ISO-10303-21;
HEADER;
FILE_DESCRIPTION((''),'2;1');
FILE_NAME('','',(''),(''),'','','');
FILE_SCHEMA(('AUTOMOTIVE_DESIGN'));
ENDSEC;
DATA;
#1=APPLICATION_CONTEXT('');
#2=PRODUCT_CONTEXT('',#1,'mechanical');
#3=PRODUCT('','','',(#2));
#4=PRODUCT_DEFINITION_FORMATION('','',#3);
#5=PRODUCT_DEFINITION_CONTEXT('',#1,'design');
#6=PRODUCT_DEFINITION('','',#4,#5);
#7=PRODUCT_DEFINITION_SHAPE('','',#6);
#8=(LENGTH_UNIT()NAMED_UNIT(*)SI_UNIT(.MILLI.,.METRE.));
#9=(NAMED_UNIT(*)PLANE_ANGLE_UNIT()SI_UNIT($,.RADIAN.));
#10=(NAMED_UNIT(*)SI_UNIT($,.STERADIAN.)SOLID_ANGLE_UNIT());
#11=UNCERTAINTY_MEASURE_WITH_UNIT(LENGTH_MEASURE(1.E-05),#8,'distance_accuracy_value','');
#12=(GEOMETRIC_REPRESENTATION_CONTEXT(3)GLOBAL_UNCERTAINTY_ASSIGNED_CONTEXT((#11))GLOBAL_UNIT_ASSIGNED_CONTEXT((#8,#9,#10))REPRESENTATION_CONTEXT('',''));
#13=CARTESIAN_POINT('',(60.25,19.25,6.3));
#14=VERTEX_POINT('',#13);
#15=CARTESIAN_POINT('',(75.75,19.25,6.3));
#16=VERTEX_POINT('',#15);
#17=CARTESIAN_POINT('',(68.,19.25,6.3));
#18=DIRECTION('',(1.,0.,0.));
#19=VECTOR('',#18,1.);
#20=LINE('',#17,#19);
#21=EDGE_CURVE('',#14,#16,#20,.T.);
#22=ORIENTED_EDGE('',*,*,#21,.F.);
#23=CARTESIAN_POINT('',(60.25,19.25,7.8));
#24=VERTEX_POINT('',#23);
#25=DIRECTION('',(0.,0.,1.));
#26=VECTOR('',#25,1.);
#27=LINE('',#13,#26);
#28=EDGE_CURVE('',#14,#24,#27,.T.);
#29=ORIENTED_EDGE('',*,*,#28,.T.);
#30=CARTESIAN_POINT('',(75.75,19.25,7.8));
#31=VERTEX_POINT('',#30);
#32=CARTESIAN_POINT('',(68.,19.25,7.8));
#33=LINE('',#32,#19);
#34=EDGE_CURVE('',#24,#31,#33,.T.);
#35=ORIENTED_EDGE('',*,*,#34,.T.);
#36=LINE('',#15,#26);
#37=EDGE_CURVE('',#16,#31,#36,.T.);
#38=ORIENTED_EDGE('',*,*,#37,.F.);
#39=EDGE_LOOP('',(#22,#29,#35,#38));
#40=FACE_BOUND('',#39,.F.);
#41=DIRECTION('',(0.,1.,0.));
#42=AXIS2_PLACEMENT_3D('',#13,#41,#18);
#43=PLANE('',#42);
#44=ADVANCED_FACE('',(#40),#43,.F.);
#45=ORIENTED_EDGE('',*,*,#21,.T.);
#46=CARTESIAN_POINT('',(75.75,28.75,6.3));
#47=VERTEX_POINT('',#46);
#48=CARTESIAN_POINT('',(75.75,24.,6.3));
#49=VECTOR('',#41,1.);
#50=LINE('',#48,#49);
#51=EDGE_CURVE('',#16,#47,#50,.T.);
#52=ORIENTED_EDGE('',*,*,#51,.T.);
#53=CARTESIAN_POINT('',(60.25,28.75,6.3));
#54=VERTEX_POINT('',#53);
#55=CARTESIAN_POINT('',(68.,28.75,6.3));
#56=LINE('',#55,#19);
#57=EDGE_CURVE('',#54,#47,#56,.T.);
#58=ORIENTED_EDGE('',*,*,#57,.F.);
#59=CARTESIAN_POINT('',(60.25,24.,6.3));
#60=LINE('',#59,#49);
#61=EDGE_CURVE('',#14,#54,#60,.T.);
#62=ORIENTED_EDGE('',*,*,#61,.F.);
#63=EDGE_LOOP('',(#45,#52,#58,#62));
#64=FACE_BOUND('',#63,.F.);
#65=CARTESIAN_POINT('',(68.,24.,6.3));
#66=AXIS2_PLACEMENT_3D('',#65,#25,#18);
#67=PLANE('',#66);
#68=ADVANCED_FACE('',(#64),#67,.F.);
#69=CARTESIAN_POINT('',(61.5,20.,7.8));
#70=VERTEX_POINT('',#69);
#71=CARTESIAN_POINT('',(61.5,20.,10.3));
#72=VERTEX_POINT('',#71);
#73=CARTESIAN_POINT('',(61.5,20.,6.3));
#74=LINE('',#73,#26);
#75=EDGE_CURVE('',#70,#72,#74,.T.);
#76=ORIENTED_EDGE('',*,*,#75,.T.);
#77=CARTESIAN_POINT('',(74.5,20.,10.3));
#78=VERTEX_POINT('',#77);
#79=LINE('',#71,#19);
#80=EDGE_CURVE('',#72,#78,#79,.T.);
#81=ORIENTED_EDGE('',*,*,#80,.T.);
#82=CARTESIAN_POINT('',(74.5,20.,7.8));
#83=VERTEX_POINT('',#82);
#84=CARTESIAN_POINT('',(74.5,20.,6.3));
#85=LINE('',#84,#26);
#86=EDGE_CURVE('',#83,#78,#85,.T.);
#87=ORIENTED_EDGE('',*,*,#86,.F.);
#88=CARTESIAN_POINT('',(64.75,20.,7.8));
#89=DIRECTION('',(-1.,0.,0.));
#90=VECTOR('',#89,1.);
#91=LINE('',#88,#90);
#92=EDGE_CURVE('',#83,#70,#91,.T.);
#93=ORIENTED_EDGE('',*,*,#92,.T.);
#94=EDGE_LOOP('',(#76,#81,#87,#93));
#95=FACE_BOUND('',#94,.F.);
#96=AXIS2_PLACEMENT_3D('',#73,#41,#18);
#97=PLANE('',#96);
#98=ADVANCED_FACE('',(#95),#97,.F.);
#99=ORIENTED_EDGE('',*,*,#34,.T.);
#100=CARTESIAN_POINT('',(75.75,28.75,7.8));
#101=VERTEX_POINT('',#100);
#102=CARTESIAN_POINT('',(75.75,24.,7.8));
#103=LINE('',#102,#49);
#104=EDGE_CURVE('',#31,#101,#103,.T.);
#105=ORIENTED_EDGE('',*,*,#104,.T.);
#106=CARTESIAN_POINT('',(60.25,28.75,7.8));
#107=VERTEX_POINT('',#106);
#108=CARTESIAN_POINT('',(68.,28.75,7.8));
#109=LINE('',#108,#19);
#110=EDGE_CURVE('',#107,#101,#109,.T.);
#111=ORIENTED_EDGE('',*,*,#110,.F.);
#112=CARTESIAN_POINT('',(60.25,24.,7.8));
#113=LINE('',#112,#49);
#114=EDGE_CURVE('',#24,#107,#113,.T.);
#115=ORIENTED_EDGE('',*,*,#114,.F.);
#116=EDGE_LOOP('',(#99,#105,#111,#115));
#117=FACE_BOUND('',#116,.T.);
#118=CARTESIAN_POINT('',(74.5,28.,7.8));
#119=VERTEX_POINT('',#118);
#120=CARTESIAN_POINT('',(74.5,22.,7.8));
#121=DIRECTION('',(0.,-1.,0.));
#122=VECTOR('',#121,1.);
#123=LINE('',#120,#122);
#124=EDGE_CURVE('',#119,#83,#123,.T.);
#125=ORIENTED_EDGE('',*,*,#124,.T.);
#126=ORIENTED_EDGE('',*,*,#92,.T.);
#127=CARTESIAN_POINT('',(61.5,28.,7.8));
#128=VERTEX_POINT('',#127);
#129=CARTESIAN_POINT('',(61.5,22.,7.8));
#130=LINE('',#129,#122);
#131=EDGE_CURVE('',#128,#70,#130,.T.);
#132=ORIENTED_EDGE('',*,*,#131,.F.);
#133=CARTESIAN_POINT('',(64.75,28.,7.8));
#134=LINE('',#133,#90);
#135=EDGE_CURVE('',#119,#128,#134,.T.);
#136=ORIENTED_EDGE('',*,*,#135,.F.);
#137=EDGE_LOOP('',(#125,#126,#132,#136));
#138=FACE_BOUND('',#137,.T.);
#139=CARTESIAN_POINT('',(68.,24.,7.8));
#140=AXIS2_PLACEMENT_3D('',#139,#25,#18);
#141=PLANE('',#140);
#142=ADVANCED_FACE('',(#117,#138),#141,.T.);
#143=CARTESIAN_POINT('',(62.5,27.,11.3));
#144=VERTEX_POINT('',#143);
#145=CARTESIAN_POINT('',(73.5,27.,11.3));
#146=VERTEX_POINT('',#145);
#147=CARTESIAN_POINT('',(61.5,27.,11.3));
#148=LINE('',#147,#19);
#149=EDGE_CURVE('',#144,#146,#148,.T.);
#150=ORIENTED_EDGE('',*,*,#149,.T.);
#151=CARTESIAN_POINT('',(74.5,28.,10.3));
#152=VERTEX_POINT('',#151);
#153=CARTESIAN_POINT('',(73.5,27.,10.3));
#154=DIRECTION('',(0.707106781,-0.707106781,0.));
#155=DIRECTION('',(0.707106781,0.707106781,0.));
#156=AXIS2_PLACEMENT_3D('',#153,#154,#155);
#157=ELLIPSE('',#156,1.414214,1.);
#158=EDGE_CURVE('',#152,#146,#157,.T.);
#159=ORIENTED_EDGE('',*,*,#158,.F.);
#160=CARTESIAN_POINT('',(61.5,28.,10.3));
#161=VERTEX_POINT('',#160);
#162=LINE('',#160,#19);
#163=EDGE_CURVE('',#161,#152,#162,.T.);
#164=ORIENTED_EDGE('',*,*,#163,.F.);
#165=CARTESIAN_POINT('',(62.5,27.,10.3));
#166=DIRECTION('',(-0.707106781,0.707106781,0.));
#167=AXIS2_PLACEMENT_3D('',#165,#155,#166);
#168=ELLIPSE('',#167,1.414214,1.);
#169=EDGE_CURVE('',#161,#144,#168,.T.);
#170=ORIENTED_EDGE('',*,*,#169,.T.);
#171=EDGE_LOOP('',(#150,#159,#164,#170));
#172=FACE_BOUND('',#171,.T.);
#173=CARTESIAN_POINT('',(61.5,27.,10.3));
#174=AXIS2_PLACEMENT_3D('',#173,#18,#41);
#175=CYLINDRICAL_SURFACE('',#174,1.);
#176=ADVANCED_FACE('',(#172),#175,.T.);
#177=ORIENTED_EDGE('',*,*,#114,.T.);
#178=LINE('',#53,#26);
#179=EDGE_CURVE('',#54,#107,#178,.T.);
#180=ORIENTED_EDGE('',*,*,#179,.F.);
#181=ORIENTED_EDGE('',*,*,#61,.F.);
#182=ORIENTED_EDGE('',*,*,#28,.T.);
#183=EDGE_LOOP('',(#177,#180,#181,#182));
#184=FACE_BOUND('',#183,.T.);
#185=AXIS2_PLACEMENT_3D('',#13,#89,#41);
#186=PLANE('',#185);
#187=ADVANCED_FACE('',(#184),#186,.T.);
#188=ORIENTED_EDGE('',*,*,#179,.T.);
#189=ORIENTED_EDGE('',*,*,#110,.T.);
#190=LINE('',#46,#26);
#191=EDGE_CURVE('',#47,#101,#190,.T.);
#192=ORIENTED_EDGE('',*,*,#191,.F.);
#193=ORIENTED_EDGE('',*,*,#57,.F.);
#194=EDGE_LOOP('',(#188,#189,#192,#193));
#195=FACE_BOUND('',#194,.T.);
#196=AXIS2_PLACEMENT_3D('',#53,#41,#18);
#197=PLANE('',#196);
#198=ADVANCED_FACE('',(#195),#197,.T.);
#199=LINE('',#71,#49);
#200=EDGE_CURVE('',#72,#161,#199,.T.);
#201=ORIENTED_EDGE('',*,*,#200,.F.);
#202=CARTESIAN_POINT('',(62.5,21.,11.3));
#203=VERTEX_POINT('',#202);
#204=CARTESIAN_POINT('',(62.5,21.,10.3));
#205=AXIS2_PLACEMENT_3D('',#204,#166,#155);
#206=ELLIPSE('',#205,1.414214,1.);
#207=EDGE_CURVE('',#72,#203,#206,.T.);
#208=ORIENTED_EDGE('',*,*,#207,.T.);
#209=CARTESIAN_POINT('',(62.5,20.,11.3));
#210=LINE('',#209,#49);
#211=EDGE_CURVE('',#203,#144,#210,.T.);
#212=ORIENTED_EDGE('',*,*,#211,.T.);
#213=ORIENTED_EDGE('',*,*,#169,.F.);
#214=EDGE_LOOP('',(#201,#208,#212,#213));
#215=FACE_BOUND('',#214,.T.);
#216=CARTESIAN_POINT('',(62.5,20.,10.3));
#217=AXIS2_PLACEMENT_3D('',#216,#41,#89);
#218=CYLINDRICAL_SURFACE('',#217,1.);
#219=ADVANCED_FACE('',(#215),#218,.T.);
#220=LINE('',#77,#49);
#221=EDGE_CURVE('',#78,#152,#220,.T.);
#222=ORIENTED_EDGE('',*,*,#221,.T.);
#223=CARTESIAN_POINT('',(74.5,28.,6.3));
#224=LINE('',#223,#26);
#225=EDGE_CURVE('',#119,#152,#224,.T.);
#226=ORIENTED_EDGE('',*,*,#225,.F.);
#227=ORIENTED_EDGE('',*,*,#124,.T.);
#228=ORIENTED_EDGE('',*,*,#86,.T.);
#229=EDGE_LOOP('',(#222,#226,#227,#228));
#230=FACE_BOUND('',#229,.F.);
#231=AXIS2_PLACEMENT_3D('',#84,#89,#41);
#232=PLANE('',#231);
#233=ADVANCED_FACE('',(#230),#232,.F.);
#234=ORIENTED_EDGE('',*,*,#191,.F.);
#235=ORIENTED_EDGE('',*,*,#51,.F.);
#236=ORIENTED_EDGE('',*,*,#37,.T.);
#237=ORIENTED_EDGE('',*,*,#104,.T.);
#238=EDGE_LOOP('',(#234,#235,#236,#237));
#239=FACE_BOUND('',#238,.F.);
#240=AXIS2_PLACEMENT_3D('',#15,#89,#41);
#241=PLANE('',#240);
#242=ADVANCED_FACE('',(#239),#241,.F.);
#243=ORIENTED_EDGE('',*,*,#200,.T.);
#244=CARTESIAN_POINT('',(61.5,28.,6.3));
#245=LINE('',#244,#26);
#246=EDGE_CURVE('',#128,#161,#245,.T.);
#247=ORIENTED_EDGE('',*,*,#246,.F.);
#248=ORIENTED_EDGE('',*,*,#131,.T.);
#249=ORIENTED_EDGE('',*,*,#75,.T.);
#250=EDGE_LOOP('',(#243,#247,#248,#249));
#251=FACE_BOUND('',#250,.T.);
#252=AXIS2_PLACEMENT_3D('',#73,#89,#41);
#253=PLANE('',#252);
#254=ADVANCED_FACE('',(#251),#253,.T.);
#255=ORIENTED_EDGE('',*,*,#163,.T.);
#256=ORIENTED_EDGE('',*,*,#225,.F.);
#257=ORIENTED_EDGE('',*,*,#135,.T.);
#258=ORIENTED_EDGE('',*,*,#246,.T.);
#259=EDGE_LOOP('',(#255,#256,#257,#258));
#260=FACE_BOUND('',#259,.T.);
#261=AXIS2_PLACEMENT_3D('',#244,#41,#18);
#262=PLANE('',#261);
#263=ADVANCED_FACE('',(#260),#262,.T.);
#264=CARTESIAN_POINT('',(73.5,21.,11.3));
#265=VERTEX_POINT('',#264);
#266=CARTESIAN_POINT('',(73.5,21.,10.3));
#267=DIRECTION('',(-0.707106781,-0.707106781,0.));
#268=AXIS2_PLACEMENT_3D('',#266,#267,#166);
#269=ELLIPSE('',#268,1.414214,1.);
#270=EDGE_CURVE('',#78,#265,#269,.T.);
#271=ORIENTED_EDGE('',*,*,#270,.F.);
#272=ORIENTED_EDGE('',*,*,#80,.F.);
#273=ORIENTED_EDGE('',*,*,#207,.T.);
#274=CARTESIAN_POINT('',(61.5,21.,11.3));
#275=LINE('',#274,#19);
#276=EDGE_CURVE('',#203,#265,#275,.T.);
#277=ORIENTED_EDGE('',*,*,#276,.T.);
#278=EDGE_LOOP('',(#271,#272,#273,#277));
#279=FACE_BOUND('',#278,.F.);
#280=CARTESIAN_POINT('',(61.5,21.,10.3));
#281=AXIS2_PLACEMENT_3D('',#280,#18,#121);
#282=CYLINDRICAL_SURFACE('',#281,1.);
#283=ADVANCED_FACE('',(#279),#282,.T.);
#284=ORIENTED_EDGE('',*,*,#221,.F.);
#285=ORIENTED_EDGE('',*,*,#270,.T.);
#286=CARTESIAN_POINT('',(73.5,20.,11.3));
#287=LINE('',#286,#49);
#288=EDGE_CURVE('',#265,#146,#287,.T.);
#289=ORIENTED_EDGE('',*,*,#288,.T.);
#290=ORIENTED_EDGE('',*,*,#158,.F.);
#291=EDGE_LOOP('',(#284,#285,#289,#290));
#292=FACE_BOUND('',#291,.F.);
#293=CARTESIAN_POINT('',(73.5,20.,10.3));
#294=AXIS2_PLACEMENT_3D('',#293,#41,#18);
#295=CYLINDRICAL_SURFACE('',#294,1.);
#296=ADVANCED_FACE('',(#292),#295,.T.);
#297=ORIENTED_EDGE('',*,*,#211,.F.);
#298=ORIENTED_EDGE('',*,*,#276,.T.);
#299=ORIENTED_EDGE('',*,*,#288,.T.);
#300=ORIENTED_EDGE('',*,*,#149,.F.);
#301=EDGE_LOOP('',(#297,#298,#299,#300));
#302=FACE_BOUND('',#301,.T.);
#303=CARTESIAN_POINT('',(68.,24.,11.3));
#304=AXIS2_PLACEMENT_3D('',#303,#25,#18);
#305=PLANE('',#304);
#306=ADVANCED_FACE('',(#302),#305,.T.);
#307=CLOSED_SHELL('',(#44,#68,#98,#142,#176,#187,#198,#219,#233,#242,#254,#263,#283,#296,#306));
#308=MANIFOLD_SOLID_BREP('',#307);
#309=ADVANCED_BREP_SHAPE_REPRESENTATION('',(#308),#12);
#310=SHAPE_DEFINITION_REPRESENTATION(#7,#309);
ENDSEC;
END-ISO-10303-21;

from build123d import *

# Parameters (mm, degrees)
BOX202_W     = 13
BOX202_H     = 8
BOX202_DEPTH = 5
FILLET049_R  = 1
BOX204_W     = 15.5
BOX204_H     = 9.5
BOX204_DEPTH = 1.5


with BuildPart() as fillet049:
    # Box202 → Box202 (new body)
    with BuildSketch(Plane(origin=(61.5, 20, 6.3), x_dir=(1, 0, 0), z_dir=(0, 0, 1))):
        with Locations((6.5, 4)):
            Rectangle(BOX202_W, BOX202_H)
    extrude(amount=BOX202_DEPTH)

    # Fillet049
    fillet049_edges = [fillet049.edges().sort_by_distance(p)[0] for p in [
        (61.5, 24, 11.3),
        (74.5, 24, 11.3),
        (68, 20, 11.3),
        (68, 28, 11.3),
    ]]
    fillet(fillet049_edges, radius=FILLET049_R)


with BuildPart() as fusion063:
    # Box204 → Box204 (new body)
    with BuildSketch(Plane(origin=(60.25, 19.25, 6.3), x_dir=(1, 0, 0), z_dir=(0, 0, 1))):
        with Locations((7.75, 4.75)):
            Rectangle(BOX204_W, BOX204_H)
    extrude(amount=BOX204_DEPTH)

    # Fusion063: union Fillet049
    add(fillet049.part)


solid = fusion063.part
